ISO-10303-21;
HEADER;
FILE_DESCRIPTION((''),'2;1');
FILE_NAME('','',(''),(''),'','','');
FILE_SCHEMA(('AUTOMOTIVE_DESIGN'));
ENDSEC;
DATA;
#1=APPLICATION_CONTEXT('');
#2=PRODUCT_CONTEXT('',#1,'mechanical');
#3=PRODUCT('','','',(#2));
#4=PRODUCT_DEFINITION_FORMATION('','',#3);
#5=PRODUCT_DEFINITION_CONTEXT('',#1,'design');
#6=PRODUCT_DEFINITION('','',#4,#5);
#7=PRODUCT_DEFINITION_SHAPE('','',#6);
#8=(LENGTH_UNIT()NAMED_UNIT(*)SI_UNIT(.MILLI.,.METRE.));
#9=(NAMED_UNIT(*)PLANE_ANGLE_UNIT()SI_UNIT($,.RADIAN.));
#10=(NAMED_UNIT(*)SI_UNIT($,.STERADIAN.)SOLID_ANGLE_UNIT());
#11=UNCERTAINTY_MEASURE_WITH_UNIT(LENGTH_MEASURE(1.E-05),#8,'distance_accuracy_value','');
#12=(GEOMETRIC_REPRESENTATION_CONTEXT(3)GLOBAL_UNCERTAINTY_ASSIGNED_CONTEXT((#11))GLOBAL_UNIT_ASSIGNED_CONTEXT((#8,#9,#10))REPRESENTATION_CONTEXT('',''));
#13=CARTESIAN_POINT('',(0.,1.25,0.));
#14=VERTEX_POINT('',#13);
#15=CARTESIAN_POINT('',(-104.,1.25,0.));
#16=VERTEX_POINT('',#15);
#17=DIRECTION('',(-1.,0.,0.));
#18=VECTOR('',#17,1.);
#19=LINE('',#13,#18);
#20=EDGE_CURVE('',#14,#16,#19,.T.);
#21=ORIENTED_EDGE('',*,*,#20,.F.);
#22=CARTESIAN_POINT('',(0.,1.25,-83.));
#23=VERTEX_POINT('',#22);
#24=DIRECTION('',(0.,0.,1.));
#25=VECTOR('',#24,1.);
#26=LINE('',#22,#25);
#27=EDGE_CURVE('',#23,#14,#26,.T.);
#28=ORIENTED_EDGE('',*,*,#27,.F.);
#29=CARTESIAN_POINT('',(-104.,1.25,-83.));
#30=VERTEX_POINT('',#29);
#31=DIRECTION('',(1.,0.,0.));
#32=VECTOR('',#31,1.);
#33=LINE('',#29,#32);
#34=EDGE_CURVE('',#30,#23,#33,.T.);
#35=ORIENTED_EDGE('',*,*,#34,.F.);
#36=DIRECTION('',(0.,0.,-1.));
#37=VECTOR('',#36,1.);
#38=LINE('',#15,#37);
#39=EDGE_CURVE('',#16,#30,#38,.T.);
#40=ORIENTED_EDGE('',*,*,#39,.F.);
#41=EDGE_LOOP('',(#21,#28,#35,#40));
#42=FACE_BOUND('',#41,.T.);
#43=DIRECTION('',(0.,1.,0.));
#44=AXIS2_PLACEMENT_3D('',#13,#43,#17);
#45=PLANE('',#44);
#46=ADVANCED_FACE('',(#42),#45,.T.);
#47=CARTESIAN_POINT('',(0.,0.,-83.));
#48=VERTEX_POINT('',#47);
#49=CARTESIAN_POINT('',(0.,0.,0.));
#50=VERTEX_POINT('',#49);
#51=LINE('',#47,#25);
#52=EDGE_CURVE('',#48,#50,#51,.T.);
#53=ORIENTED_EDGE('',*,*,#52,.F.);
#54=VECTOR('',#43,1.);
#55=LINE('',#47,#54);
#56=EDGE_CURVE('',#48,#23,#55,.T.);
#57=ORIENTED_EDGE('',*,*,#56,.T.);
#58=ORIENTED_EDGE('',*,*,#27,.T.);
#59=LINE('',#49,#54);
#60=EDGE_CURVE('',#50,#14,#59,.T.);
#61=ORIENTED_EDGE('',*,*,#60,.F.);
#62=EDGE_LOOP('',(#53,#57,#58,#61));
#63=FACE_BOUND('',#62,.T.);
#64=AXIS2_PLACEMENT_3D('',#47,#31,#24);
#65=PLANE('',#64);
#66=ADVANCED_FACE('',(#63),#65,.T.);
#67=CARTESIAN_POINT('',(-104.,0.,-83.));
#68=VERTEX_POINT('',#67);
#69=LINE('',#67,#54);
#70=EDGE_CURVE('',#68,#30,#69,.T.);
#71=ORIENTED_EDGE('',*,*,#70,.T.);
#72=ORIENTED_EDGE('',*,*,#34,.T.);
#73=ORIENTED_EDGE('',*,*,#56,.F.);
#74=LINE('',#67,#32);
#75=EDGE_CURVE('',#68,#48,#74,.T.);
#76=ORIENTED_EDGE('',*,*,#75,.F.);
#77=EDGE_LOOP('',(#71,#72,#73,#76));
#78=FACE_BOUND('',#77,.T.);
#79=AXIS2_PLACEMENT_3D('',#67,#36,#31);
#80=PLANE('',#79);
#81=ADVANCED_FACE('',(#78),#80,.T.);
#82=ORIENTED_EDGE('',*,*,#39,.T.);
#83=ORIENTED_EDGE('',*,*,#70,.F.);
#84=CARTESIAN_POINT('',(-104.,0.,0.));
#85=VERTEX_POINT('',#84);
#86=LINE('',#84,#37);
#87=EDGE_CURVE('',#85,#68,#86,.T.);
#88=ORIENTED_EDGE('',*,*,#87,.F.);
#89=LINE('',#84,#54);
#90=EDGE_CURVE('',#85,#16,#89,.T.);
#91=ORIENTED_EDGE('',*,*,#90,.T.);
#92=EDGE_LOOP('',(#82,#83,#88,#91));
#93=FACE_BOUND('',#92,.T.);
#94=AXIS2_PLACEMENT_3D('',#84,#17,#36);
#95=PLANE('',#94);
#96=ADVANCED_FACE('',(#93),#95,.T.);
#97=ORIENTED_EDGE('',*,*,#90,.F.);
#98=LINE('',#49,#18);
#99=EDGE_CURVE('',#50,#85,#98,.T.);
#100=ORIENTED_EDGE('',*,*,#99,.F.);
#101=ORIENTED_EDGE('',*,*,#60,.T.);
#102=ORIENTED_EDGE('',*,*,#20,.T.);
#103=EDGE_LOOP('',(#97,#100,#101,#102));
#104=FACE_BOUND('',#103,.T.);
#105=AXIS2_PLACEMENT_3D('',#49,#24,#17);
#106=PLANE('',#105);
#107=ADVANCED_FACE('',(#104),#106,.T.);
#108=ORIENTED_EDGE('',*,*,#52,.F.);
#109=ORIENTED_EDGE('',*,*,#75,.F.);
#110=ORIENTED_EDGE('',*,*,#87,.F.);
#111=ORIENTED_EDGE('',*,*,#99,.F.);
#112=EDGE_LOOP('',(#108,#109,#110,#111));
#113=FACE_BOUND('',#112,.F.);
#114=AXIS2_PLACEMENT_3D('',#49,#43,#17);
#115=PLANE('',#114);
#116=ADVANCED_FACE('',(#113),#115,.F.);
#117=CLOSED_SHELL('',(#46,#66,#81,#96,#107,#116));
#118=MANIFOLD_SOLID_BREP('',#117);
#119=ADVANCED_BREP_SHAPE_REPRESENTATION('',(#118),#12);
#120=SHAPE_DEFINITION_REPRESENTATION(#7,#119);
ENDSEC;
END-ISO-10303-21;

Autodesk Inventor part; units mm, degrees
ref_plane "YZ Plane" through (0, 0, 0) normal (1, 0, 0) x (0, 1, 0)
ref_plane "XZ Plane" through (0, 0, 0) normal (0, 1, 0) x (-1, 0, 0)
ref_plane "XY Plane" through (0, 0, 0) normal (0, 0, 1) x (1, 0, 0)
sketch "Sketch1" plane through (0, 0, 0) normal (0, 1, 0) x (-1, 0, 0)
  line L0 (0, 0) -> (104, 0)
  line L1 (104, 0) -> (104, -83)
  line L2 (104, -83) -> (0, -83)
  line L3 (0, -83) -> (0, 0)
  dimension "d0" = 104
  dimension "d1" = 83
extrude "Extrusion1" add sketch "Sketch1" along normal blind 1.25
properties part number "circuit casing lid"
